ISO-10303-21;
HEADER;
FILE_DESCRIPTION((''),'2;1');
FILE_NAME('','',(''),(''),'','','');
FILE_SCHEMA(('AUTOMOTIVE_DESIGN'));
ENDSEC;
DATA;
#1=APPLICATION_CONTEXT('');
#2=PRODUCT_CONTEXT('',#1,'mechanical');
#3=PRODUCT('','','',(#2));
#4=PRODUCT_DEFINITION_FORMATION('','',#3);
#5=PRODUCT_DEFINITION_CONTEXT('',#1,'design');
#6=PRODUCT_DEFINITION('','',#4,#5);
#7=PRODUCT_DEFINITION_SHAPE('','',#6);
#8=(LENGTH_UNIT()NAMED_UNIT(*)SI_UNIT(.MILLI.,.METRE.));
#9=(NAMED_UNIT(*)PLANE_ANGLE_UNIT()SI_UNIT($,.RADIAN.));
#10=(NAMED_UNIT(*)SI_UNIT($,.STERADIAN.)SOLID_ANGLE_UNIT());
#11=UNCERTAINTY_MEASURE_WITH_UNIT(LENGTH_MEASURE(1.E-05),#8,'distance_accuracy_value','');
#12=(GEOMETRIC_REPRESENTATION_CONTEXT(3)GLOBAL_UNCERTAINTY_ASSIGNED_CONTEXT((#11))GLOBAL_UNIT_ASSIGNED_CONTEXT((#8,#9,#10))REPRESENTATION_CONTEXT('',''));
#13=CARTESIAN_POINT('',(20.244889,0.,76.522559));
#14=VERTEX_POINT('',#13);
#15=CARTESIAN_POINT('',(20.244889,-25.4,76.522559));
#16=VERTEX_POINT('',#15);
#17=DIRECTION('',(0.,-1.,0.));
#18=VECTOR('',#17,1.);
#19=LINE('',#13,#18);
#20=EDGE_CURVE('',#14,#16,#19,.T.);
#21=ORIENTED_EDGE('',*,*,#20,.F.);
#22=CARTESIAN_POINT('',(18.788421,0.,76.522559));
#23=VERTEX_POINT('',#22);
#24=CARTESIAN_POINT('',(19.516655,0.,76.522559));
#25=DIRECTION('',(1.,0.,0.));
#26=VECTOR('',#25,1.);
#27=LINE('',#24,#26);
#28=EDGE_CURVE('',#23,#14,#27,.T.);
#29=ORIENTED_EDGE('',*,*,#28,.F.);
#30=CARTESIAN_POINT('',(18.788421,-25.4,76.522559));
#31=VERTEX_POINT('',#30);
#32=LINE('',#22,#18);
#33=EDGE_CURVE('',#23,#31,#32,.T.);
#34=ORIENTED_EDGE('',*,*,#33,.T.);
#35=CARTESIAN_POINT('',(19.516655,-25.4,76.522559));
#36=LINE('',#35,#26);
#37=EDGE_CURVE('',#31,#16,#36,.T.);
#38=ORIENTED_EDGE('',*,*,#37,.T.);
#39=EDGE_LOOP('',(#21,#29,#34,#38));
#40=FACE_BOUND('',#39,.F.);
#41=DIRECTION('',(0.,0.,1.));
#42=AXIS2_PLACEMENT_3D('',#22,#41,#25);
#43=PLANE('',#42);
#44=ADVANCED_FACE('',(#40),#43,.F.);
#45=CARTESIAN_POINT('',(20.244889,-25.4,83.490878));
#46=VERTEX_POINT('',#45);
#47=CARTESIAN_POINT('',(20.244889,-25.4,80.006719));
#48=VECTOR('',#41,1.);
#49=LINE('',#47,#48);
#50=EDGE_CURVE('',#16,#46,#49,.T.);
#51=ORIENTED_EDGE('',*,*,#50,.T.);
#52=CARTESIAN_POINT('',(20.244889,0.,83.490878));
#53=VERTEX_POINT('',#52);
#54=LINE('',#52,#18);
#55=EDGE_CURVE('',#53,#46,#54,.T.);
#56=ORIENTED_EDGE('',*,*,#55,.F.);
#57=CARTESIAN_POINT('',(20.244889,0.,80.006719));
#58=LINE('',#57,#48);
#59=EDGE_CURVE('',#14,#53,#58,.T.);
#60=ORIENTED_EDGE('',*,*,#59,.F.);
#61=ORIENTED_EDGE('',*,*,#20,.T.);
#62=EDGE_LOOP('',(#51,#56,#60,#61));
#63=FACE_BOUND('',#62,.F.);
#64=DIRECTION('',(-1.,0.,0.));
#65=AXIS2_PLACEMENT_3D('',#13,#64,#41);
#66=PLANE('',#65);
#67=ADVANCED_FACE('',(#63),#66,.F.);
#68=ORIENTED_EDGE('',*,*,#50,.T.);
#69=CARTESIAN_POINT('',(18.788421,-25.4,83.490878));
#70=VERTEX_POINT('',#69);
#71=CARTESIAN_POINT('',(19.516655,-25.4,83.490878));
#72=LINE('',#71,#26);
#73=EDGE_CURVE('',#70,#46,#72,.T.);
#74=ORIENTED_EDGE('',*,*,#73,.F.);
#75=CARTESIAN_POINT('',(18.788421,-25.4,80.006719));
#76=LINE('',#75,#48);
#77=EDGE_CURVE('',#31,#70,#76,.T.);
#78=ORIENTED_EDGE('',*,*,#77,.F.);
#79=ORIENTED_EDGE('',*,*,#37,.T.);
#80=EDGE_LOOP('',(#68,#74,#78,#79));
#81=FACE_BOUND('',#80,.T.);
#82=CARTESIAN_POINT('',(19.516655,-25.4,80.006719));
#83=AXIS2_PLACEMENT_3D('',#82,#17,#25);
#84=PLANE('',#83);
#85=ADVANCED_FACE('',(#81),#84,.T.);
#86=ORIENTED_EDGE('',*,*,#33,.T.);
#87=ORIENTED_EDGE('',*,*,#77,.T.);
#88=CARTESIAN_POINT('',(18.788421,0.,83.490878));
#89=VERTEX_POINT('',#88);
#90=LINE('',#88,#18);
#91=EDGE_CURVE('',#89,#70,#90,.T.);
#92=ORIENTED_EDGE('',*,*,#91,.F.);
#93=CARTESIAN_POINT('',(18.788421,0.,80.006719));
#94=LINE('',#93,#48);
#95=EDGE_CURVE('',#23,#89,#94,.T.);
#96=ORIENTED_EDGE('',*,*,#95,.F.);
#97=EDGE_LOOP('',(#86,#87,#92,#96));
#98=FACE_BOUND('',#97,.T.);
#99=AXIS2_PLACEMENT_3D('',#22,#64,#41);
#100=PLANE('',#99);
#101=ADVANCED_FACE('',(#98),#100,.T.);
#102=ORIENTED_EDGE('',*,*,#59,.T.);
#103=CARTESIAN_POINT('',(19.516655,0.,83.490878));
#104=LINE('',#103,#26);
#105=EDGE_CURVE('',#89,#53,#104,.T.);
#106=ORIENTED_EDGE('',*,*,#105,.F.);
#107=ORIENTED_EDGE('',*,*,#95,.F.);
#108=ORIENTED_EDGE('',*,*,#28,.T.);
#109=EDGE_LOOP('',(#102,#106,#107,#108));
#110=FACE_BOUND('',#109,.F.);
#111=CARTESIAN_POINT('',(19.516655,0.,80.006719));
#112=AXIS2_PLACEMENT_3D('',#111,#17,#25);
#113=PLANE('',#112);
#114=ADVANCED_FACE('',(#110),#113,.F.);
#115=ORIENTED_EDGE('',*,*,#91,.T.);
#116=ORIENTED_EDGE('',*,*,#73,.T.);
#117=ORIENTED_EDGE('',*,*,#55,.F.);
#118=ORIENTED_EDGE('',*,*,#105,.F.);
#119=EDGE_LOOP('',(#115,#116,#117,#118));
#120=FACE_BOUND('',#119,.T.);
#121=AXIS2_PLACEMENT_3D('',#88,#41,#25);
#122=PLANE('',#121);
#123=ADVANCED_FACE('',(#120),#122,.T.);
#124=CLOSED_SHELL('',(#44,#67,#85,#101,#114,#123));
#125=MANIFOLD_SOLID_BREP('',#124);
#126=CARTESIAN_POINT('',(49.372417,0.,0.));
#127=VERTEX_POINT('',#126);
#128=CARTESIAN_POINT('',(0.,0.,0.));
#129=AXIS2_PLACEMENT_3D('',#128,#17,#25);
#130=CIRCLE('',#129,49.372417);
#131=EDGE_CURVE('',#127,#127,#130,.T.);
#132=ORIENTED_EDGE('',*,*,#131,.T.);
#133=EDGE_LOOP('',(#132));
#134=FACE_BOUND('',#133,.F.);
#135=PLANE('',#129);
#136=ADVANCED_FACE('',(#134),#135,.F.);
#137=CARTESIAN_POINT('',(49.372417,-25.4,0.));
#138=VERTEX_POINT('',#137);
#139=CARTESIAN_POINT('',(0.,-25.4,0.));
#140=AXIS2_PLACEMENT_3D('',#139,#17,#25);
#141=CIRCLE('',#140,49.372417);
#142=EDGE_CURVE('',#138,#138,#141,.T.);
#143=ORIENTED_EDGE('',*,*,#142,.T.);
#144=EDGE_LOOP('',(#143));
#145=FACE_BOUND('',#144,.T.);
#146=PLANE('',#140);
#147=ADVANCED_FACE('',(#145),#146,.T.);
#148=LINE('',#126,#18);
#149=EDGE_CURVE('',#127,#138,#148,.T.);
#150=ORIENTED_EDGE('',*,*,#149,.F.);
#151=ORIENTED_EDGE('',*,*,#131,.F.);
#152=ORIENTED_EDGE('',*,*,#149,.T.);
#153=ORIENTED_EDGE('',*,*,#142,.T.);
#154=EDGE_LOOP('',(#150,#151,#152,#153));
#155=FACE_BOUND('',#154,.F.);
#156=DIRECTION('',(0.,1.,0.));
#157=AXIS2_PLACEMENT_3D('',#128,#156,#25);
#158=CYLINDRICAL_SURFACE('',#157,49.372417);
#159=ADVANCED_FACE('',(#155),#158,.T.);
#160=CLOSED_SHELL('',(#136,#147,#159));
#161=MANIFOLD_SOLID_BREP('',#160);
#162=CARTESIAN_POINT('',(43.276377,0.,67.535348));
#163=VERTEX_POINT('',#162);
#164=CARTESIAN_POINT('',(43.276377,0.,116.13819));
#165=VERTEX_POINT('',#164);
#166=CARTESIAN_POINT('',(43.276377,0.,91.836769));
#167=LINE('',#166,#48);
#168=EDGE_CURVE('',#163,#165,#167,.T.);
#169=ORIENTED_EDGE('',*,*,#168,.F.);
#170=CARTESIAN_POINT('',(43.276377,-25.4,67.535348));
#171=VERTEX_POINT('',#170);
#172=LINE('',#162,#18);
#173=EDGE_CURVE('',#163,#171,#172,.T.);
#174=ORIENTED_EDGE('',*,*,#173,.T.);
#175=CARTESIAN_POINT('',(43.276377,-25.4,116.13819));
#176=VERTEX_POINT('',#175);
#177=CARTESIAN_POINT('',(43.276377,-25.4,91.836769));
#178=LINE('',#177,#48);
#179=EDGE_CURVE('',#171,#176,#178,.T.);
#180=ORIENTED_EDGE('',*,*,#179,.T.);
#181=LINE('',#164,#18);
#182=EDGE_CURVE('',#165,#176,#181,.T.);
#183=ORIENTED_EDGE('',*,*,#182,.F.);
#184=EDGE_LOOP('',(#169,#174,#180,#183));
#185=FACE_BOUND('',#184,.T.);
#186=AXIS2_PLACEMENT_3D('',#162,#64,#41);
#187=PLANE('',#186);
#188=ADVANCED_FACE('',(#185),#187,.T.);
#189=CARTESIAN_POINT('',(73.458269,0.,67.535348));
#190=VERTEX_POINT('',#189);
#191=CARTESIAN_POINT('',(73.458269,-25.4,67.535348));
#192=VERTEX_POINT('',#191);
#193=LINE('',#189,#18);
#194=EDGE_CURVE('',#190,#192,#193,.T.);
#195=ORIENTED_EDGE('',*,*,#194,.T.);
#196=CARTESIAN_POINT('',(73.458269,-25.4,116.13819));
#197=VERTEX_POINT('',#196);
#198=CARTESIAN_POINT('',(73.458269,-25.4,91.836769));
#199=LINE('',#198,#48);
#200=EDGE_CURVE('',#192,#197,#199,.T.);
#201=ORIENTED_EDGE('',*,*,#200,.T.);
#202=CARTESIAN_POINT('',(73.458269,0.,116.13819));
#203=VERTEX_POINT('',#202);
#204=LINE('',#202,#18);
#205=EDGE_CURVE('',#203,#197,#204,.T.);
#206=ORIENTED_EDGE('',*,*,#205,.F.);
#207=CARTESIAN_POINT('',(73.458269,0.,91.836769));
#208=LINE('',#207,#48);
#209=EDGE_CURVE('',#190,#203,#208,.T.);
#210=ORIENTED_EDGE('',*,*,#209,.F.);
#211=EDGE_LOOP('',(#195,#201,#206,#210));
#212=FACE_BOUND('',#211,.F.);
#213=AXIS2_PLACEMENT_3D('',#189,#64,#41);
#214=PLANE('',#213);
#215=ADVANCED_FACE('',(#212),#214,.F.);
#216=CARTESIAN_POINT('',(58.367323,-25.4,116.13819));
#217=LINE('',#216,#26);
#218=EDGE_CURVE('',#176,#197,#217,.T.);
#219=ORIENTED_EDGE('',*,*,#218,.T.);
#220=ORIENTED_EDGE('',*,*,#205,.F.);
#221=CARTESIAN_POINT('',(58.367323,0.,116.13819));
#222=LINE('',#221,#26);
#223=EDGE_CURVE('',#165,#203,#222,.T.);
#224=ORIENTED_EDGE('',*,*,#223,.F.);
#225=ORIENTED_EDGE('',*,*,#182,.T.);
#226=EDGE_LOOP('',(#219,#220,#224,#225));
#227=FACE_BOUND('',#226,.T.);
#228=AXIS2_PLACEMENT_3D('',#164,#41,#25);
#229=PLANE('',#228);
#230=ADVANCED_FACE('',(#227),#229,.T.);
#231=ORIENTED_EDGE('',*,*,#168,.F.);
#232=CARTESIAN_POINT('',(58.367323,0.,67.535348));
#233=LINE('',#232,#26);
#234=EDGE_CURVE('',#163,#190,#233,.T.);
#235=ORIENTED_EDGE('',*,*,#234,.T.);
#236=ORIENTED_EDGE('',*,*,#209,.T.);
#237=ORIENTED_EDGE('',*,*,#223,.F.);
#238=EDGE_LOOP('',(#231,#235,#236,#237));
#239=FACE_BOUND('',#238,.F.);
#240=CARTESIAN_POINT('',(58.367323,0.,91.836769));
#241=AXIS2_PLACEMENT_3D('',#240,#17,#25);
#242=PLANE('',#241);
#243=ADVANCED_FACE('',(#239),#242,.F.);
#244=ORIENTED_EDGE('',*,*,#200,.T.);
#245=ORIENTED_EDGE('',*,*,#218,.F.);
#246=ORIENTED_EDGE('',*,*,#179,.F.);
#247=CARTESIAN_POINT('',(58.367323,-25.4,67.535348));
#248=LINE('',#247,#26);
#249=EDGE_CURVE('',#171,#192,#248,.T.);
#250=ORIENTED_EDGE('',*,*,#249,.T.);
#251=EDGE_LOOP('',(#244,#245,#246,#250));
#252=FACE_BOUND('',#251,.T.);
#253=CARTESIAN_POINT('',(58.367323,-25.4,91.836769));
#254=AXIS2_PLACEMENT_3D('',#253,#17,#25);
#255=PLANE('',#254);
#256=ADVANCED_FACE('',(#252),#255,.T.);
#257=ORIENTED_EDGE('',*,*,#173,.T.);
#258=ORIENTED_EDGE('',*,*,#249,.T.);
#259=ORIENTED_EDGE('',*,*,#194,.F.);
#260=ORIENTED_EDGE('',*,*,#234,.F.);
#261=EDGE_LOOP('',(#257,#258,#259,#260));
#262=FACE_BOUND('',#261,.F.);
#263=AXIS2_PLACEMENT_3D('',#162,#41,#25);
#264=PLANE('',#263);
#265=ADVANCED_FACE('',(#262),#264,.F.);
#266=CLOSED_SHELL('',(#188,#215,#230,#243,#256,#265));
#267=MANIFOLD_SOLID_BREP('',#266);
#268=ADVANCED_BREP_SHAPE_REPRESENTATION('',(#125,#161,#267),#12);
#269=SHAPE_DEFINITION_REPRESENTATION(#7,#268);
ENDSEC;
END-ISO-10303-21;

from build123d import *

# Parameters (mm, degrees)
F1_W     = 1.456469
F1_H     = 6.968319
F1_W_2   = 30.181892
F1_H_2   = 48.602842
F1_R     = 49.372417
F2_DEPTH = 25.4


with BuildPart() as f2:
    # F1 (on face) → F2 (new body)
    with BuildSketch(Plane.XZ):
        with Locations((19.516655, 80.006719)):
            Rectangle(F1_W, F1_H)
        with Locations((58.367323, 91.836769)):
            Rectangle(F1_W_2, F1_H_2)
        Circle(F1_R)
    extrude(amount=F2_DEPTH)


solid = f2.part
